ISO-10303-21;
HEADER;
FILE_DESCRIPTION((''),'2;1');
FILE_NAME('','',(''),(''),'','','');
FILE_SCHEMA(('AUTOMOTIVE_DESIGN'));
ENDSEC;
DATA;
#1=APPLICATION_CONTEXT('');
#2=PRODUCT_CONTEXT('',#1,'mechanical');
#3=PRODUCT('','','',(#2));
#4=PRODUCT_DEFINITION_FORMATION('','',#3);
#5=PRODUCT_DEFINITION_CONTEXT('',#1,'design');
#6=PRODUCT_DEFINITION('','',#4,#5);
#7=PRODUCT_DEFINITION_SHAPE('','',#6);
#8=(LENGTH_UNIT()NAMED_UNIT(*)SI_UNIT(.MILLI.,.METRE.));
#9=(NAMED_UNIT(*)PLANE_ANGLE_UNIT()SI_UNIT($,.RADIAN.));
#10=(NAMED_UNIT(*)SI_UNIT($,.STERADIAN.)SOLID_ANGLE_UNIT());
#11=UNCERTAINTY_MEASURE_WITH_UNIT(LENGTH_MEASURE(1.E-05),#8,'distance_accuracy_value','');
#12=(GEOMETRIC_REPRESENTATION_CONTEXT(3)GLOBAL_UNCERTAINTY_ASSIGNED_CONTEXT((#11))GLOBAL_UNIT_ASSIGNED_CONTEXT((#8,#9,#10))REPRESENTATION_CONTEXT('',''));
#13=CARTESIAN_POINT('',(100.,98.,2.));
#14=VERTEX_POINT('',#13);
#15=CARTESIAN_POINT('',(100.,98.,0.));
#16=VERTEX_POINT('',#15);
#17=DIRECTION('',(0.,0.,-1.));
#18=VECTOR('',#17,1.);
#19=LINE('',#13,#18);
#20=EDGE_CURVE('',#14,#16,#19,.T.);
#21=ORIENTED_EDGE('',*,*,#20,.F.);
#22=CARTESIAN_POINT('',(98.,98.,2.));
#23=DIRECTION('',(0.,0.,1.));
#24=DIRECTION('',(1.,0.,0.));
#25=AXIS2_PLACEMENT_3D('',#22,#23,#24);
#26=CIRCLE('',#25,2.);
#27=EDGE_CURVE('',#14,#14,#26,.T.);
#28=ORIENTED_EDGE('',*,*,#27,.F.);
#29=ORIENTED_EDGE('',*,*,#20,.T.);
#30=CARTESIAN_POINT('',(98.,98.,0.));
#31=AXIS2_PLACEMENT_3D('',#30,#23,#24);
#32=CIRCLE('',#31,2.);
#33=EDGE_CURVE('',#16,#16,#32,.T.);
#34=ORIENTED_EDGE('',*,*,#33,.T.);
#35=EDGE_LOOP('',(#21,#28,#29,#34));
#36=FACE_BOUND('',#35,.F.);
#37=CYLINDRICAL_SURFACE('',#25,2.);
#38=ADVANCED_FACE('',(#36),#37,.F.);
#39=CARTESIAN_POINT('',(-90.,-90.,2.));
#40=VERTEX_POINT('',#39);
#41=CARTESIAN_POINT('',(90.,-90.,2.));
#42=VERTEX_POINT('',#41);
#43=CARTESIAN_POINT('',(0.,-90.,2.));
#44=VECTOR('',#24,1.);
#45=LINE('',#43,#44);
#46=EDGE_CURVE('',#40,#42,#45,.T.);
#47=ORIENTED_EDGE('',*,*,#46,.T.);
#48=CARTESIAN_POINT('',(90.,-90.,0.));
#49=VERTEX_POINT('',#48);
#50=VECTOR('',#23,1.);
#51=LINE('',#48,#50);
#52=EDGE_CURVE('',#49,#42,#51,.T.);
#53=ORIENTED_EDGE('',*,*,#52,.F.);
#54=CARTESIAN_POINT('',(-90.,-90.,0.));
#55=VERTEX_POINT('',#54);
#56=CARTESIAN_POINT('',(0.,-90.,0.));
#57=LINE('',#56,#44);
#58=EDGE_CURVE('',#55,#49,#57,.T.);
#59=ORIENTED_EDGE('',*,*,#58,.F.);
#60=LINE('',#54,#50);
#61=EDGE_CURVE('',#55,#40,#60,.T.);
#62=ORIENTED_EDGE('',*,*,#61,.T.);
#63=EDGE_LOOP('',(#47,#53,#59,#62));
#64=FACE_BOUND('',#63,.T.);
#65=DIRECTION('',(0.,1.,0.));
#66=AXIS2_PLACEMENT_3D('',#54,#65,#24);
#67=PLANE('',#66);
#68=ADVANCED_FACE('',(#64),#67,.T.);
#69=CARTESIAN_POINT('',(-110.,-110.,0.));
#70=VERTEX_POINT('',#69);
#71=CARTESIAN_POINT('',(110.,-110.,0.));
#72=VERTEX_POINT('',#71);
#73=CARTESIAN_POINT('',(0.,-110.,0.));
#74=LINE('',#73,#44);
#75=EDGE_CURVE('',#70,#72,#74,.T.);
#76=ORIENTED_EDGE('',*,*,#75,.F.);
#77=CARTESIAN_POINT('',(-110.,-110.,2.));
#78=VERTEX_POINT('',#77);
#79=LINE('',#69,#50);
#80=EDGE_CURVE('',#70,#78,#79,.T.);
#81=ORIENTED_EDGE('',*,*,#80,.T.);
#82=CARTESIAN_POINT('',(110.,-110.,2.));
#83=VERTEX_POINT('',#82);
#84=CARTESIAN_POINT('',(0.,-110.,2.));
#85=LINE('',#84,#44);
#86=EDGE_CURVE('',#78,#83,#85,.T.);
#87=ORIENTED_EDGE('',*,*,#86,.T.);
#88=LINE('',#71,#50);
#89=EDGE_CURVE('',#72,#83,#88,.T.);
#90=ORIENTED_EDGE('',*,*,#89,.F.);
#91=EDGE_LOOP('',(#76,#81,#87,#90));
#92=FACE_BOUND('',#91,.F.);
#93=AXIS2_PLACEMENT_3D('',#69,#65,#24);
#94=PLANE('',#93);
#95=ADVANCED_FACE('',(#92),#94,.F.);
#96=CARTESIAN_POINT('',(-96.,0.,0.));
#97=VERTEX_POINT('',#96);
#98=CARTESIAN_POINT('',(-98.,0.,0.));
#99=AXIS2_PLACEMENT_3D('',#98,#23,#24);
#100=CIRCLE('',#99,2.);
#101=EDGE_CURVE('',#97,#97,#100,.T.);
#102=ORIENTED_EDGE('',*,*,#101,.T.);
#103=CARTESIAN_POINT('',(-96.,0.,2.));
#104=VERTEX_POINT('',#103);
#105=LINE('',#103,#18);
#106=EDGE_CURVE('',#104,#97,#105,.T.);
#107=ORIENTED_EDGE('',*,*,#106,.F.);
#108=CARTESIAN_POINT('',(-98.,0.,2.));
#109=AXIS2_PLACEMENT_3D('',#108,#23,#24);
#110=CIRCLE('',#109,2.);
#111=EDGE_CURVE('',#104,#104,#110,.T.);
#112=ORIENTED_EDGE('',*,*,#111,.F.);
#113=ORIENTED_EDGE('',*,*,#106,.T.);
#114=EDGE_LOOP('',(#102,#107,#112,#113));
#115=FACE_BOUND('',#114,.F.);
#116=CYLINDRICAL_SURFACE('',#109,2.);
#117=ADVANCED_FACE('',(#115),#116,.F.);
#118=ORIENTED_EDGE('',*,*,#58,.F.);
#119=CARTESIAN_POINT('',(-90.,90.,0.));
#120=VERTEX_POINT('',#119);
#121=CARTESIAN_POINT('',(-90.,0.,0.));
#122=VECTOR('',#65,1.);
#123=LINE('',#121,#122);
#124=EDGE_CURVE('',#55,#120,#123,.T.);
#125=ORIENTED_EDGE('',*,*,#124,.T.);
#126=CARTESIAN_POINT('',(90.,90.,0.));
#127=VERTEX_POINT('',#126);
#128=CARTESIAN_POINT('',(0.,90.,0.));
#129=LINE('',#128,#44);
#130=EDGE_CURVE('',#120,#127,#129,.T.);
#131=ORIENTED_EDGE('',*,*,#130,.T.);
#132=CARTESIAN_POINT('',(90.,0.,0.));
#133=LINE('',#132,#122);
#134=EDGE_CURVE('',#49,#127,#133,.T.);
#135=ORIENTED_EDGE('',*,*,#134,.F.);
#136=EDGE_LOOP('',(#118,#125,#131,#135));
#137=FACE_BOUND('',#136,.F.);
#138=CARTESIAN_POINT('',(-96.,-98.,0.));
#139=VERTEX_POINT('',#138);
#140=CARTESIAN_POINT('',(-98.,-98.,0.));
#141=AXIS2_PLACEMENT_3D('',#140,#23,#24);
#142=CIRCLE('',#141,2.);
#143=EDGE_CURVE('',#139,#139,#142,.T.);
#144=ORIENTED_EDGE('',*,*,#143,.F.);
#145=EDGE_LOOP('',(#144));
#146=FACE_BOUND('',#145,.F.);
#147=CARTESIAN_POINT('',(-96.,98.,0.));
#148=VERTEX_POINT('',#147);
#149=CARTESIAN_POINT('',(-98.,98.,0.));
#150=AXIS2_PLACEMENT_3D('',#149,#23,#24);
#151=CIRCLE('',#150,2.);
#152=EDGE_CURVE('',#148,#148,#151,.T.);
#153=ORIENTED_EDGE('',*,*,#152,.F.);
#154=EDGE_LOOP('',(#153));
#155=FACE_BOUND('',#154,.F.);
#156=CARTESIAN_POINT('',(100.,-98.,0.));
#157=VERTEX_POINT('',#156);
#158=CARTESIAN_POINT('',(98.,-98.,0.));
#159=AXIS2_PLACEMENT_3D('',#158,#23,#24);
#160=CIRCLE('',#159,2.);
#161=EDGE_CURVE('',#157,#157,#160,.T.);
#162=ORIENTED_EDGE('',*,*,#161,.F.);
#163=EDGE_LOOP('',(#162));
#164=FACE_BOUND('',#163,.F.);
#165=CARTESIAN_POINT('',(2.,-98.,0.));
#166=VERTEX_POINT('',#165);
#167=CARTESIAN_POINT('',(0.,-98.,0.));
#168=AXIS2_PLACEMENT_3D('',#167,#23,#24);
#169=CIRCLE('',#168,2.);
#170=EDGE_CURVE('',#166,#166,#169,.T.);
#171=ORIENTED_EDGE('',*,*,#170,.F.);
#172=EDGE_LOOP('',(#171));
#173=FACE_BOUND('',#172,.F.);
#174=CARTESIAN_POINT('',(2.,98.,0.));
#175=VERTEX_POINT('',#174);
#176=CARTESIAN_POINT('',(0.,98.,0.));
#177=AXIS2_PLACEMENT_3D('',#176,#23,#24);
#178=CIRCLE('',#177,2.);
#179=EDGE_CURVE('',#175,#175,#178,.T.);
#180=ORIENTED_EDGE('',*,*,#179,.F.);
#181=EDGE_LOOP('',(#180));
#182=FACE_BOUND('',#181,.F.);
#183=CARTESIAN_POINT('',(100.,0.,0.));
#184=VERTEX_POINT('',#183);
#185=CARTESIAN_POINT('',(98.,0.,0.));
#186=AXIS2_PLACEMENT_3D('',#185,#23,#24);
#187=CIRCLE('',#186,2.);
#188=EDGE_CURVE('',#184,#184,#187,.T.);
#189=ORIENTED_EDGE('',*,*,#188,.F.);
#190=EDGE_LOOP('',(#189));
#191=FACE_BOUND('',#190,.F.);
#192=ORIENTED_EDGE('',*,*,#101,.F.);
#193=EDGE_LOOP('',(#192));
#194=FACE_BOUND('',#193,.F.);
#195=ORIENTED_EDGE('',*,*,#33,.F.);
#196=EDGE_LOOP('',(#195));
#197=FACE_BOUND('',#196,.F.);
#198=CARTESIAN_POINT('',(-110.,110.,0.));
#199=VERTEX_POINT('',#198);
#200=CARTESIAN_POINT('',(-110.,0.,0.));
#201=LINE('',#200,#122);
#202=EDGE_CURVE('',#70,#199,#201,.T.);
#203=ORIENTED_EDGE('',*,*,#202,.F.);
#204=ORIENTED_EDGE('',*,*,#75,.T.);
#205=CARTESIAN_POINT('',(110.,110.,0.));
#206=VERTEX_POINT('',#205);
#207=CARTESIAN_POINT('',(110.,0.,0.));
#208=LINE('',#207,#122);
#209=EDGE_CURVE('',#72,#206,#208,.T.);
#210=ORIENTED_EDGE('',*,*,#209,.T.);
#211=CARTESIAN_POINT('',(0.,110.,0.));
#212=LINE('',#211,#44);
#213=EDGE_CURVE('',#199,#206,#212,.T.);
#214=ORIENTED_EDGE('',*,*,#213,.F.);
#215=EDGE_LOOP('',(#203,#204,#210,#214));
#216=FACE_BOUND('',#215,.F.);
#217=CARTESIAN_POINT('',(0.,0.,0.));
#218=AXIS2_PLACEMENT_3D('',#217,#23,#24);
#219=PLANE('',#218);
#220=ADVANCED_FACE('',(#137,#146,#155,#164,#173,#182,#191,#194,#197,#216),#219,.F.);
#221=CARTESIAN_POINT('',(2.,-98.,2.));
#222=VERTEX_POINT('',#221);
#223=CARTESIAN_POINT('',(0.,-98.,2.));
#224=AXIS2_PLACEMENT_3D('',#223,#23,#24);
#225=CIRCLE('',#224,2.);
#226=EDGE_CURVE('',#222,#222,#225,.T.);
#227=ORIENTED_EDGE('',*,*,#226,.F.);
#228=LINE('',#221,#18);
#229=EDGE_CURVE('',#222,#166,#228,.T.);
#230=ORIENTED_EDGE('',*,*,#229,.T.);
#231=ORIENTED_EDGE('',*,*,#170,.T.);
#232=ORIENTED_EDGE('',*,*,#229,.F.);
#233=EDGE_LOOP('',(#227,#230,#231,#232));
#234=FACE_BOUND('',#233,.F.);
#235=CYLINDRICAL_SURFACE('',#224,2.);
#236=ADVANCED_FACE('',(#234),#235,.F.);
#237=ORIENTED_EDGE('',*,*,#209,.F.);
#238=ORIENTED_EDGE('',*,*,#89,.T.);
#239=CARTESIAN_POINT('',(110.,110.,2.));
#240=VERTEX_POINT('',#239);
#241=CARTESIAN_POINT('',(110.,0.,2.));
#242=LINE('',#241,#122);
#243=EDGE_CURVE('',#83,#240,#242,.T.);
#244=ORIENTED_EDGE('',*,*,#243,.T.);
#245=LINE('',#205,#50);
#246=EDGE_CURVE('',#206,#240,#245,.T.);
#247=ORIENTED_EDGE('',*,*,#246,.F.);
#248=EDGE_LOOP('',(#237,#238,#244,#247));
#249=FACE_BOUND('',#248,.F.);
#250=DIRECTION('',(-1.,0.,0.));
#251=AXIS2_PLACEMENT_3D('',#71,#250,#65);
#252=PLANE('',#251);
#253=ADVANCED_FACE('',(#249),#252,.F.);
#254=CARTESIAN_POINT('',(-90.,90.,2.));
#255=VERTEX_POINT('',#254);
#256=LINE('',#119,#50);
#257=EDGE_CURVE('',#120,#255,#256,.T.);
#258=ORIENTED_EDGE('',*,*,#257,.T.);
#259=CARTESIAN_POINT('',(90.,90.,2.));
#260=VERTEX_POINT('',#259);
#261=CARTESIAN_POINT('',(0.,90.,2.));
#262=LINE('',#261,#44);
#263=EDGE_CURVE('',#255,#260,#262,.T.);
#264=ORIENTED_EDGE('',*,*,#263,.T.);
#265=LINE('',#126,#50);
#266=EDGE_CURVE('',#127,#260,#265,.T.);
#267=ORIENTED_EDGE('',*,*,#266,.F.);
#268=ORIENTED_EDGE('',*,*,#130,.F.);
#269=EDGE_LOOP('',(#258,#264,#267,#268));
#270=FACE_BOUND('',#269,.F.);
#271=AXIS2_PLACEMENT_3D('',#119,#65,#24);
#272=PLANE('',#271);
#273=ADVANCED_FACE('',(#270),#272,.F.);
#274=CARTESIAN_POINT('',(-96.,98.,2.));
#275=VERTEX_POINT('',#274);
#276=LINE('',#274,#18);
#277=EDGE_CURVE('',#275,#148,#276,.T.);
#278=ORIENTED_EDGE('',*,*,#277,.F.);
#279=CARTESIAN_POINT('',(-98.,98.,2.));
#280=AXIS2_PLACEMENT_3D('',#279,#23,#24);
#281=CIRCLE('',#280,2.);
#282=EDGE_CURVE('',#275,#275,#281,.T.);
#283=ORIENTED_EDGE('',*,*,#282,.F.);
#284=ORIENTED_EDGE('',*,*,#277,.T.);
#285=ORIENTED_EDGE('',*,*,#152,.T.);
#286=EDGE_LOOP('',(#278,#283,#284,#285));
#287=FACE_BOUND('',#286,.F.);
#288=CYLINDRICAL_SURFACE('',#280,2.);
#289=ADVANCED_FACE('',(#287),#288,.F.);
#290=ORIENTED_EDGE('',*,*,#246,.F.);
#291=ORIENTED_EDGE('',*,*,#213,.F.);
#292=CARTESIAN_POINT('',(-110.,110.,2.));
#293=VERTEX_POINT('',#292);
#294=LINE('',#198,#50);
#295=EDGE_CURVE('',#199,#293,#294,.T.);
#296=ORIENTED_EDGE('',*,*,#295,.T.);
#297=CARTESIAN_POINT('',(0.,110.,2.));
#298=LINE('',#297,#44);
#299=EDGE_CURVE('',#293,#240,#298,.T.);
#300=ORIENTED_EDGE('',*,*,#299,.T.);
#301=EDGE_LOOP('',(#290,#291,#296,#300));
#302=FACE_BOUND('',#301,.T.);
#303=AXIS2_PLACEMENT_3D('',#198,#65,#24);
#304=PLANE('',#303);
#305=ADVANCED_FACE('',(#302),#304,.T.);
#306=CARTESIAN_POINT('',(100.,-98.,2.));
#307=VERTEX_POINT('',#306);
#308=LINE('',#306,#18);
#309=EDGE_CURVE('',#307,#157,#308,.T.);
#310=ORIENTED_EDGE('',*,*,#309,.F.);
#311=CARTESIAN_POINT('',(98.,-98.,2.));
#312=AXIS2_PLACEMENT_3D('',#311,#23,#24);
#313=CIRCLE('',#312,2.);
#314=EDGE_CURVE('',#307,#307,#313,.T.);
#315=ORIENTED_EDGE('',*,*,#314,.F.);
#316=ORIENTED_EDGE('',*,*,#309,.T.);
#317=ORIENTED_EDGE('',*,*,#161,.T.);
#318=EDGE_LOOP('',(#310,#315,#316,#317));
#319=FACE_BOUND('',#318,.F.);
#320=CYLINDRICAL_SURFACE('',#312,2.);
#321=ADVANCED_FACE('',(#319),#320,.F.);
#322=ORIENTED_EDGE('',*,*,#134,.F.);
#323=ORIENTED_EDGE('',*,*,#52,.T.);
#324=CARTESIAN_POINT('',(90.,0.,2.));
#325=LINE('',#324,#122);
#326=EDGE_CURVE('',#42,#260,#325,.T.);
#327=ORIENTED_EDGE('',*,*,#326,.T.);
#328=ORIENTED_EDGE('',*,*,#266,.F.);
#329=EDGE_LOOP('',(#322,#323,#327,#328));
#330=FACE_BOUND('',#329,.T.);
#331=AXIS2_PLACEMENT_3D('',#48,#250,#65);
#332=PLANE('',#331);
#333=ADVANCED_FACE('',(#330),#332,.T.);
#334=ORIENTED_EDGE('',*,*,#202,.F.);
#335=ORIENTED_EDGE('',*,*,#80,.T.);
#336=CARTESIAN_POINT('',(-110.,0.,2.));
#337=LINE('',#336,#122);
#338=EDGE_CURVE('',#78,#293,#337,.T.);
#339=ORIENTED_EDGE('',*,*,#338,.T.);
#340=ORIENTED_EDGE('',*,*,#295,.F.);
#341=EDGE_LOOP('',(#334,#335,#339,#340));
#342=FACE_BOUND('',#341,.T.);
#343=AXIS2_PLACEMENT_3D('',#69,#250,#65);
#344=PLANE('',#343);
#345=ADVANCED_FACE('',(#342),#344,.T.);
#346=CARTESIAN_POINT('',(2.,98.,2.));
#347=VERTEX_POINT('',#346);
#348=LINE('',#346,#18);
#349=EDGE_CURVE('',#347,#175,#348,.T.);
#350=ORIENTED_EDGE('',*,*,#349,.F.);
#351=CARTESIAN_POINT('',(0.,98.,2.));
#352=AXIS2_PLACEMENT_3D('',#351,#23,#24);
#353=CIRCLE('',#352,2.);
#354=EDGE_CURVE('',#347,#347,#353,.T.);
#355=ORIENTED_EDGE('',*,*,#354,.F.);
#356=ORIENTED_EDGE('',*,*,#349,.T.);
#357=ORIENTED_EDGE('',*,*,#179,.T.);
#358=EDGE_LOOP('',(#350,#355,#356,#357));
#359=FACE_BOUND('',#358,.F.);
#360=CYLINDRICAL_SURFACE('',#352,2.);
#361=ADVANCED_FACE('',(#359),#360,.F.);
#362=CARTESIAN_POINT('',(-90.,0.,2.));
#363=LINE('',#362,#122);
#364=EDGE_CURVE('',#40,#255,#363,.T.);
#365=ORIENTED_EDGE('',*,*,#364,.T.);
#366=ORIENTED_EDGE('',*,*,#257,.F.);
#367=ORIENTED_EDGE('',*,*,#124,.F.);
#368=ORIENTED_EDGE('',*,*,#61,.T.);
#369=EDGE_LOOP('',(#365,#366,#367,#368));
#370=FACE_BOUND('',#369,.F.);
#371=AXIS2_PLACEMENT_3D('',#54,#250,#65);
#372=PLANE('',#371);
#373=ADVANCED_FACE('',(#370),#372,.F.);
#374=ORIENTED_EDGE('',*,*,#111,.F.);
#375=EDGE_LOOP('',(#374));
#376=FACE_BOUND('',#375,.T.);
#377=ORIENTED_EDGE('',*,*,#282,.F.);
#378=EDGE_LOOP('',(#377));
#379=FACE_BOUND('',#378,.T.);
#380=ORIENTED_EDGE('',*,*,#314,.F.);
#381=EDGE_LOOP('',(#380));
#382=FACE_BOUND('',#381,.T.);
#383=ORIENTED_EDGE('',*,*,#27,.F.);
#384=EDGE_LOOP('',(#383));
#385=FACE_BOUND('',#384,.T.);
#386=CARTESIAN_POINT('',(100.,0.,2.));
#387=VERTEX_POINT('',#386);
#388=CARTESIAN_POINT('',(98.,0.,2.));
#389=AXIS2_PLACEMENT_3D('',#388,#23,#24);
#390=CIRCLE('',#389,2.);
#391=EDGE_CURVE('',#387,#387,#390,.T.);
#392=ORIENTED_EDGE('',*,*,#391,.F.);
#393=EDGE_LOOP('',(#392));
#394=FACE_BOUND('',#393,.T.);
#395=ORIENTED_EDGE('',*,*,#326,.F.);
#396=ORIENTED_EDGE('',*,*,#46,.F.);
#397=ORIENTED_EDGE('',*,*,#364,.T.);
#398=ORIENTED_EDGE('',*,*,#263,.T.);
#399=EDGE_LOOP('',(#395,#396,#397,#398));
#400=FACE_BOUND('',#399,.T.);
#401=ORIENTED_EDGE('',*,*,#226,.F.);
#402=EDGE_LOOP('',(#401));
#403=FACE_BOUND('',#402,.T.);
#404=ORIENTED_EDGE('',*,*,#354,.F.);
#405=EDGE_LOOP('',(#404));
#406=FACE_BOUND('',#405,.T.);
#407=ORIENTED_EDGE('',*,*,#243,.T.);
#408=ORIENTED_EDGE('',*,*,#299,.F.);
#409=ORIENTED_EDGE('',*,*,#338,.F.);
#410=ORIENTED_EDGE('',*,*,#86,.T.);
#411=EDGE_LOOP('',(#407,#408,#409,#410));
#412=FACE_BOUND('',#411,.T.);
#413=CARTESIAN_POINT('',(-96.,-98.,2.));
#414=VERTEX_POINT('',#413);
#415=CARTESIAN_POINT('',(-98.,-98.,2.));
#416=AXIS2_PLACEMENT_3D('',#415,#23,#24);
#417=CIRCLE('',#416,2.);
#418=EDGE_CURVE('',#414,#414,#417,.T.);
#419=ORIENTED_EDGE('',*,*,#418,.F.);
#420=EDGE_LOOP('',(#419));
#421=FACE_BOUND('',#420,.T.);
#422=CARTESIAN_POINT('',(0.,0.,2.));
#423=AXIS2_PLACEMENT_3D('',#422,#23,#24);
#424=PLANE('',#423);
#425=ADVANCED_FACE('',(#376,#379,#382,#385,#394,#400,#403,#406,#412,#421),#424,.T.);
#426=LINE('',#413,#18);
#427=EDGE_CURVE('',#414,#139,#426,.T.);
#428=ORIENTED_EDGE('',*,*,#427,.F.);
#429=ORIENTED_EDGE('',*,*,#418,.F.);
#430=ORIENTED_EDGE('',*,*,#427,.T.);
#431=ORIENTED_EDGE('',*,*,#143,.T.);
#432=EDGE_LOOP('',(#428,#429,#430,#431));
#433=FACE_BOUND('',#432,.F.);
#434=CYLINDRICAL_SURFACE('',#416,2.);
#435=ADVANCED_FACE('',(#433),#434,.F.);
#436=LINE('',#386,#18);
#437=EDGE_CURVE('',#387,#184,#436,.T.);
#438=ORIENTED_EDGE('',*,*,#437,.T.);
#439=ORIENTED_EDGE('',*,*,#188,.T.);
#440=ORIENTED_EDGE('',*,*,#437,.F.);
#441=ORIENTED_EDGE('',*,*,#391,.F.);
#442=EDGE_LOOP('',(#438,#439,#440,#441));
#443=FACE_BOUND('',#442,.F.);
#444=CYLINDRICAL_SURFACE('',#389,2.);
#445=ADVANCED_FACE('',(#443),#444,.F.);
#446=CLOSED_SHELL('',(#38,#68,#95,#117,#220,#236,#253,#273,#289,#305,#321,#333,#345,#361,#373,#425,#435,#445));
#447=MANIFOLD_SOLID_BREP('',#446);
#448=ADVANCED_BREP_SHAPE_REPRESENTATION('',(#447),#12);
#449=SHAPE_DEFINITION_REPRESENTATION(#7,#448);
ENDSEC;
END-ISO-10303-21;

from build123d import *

# Parameters (mm, degrees)
SKETCH1_W                 = 220
SKETCH1_H                 = 220
SKETCH1_W_2               = 180
SKETCH1_H_2               = 180
EXTRUDE_THIN1_DEPTH       = 2
SKETCH2_R                 = 2
CUT_EXTRUDE1_DEPTH        = 10
LPATTERN1_COUNT           = 2
LPATTERN1_PITCH           = 98
LPATTERN1_COL_COUNT       = 2
LPATTERN1_COL_PITCH       = 98
LPATTERN2_COPY_1_SKETCH_R = 2
LPATTERN2_COPY_1_DEPTH    = 10
LPATTERN2_COPY_2_SKETCH_R = 2
LPATTERN2_COPY_2_DEPTH    = 10
LPATTERN2_COPY_3_SKETCH_R = 2
LPATTERN2_COPY_3_DEPTH    = 10
LPATTERN2_COPY_4_SKETCH_R = 2
LPATTERN2_COPY_4_DEPTH    = 10
LPATTERN3_COUNT           = 3
LPATTERN3_PITCH           = 196


with BuildPart() as part:
    # Sketch1 → Extrude-Thin1 (new body)
    with BuildSketch(Plane.XY):
        Rectangle(SKETCH1_W, SKETCH1_H)
        Rectangle(SKETCH1_W_2, SKETCH1_H_2, mode=Mode.SUBTRACT)
    extrude(amount=EXTRUDE_THIN1_DEPTH)

    # Sketch2 → Cut-Extrude1 (cut)
    with BuildSketch(Plane.XY.offset(2)):
        with Locations((0, 98)):
            Circle(SKETCH2_R)
    cut_extrude1 = extrude(amount=-CUT_EXTRUDE1_DEPTH, mode=Mode.SUBTRACT)

    # LPattern1: Cut-Extrude1 ×2
    with Locations(*[(i * LPATTERN1_PITCH, 0, 0) for i in range(1, LPATTERN1_COUNT)]):
        add(cut_extrude1, mode=Mode.SUBTRACT)

    # LPattern1 col: Cut-Extrude1 ×2
    with Locations(*[(-i * LPATTERN1_COL_PITCH, 0, 0) for i in range(1, LPATTERN1_COL_COUNT)]):
        add(cut_extrude1, mode=Mode.SUBTRACT)

    # LPattern2 copy 1 sketch → LPattern2 copy 1 (cut)
    with BuildSketch(Plane(origin=(98, -98, 2), x_dir=(1, 0, 0), z_dir=(0, 0, 1))):
        with Locations((0, 98)):
            Circle(LPATTERN2_COPY_1_SKETCH_R)
    extrude(amount=-LPATTERN2_COPY_1_DEPTH, mode=Mode.SUBTRACT)

    # LPattern2 copy 2 sketch → LPattern2 copy 2 (cut)
    with BuildSketch(Plane(origin=(98, -196, 2), x_dir=(1, 0, 0), z_dir=(0, 0, 1))):
        with Locations((0, 98)):
            Circle(LPATTERN2_COPY_2_SKETCH_R)
    extrude(amount=-LPATTERN2_COPY_2_DEPTH, mode=Mode.SUBTRACT)

    # LPattern2 copy 3 sketch → LPattern2 copy 3 (cut)
    with BuildSketch(Plane(origin=(-98, -98, 2), x_dir=(1, 0, 0), z_dir=(0, 0, 1))):
        with Locations((0, 98)):
            Circle(LPATTERN2_COPY_3_SKETCH_R)
    extrude(amount=-LPATTERN2_COPY_3_DEPTH, mode=Mode.SUBTRACT)

    # LPattern2 copy 4 sketch → LPattern2 copy 4 (cut)
    with BuildSketch(Plane(origin=(-98, -196, 2), x_dir=(1, 0, 0), z_dir=(0, 0, 1))):
        with Locations((0, 98)):
            Circle(LPATTERN2_COPY_4_SKETCH_R)
    extrude(amount=-LPATTERN2_COPY_4_DEPTH, mode=Mode.SUBTRACT)

    # LPattern3: Cut-Extrude1 ×3
    with Locations(*[(0, -i * LPATTERN3_PITCH, 0) for i in range(1, LPATTERN3_COUNT)]):
        add(cut_extrude1, mode=Mode.SUBTRACT)


solid = part.part
